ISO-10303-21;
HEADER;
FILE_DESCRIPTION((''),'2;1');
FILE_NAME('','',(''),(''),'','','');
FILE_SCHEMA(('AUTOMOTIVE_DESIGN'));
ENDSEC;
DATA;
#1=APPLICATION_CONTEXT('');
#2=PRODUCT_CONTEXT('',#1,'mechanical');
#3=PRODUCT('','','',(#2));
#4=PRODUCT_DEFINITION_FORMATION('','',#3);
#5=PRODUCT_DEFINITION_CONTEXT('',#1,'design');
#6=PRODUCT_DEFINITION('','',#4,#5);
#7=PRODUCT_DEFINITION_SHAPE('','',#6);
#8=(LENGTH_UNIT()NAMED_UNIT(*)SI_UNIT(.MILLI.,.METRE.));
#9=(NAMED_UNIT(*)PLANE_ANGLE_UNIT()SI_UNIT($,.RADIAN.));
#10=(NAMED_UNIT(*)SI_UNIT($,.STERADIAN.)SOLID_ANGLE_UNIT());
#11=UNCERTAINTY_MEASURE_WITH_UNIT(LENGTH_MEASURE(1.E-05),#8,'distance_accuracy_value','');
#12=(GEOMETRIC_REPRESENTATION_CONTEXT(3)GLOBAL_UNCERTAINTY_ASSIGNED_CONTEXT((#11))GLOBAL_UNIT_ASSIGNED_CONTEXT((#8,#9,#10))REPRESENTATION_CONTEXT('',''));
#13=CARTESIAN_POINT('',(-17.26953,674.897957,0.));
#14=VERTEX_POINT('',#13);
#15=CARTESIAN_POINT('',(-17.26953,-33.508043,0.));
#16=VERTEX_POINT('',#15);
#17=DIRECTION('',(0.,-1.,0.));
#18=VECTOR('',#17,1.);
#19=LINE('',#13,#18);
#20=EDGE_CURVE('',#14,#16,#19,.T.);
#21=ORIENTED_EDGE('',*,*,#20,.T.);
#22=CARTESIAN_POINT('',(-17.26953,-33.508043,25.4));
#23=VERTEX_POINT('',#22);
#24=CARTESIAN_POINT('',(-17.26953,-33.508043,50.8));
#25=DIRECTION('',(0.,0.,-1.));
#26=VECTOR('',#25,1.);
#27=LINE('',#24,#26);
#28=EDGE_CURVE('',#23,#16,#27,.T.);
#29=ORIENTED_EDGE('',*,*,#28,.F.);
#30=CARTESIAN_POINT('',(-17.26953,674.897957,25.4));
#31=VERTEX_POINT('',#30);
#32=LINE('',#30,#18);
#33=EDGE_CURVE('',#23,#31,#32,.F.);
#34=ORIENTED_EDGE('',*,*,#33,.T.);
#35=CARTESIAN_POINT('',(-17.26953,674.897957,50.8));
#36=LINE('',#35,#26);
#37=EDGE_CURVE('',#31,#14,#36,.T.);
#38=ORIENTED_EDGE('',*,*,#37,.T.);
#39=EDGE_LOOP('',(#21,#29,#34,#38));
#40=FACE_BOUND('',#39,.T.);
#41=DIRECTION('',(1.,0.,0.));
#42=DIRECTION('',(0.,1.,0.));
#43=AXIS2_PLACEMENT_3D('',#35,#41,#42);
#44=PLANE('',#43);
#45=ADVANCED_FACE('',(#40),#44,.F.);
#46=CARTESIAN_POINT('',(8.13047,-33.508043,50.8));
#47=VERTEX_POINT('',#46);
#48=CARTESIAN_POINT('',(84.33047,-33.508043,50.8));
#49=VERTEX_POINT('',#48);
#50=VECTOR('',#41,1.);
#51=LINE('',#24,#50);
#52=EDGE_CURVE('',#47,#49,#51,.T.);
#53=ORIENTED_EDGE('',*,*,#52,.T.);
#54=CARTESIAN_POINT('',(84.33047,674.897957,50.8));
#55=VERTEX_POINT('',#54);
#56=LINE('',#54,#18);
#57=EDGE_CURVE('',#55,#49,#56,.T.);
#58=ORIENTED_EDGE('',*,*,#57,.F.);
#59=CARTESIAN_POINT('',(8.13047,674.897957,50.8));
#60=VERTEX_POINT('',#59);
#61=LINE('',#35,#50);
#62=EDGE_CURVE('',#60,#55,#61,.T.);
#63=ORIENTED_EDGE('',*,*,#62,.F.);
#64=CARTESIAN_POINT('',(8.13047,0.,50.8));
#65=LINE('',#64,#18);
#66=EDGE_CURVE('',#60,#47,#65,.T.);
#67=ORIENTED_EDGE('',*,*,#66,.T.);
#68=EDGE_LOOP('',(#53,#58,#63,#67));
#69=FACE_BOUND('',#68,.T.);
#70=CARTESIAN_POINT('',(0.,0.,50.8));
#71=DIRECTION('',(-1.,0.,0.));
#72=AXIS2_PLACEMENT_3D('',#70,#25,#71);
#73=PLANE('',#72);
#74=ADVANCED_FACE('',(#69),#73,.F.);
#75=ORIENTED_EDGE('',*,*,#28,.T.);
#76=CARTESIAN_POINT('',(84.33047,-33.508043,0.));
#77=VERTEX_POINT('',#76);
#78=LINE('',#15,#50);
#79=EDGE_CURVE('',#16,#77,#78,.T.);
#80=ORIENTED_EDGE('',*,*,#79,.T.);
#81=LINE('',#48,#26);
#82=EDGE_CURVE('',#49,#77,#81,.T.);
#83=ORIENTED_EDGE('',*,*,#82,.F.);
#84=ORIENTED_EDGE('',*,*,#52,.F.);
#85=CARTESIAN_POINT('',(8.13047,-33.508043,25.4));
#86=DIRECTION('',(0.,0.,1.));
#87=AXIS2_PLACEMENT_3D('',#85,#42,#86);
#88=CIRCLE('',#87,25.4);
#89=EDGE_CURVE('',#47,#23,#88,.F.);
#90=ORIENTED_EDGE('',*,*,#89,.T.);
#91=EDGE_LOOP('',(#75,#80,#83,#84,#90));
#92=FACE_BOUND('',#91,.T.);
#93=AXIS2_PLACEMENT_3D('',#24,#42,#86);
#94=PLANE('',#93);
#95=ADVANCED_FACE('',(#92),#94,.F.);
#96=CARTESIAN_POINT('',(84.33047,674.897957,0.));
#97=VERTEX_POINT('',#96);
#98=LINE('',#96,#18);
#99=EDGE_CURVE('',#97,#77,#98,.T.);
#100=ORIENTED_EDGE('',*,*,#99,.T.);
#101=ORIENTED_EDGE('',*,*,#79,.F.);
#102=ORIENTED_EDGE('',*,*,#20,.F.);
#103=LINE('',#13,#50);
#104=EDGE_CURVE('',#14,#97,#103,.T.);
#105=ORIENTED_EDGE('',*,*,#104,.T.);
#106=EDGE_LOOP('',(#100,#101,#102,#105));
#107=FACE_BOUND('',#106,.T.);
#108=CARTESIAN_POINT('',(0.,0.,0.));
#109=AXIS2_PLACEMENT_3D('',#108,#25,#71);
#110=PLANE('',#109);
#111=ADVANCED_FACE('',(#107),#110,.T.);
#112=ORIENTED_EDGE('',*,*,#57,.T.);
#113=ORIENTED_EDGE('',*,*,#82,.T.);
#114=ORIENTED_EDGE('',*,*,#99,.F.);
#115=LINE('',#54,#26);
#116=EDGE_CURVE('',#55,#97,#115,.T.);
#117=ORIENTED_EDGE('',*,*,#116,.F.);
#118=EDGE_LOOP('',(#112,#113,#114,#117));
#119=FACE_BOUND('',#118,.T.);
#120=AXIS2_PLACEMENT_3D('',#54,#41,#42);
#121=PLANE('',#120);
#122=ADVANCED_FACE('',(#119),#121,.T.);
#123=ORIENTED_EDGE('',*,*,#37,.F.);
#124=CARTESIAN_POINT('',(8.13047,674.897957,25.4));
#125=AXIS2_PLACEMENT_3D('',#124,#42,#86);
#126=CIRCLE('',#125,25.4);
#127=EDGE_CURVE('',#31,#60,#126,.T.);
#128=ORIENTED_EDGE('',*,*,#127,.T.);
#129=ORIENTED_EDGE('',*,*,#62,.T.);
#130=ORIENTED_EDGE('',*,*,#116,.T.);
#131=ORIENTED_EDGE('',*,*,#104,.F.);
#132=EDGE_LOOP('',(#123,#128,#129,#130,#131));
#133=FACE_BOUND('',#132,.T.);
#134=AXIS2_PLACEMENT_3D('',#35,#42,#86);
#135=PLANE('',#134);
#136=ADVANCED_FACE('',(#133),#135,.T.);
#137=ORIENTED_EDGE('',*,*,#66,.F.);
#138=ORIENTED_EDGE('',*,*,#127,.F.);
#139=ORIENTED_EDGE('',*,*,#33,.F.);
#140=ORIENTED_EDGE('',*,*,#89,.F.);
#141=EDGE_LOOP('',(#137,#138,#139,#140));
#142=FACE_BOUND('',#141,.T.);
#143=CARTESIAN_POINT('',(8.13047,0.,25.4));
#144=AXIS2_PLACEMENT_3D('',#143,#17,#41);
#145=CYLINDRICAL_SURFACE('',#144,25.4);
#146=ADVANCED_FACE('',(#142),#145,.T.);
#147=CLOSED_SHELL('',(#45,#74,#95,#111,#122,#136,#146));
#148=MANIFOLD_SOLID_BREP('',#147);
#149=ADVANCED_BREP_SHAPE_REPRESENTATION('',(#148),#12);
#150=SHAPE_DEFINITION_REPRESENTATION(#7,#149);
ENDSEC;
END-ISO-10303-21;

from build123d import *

# Parameters (mm, degrees)
SKETCH1_W           = 101.6
SKETCH1_H           = 708.406
BOSS_EXTRUDE1_DEPTH = 50.8
FILLET1_R           = 25.4


with BuildPart() as part:
    # Sketch1 → Boss-Extrude1 (new body)
    with BuildSketch(Plane.XY):
        with Locations((33.530470144, 320.694956996)):
            Rectangle(SKETCH1_W, SKETCH1_H)
    extrude(amount=BOSS_EXTRUDE1_DEPTH)

    # Fillet1
    fillet1_edges = [part.edges().sort_by_distance(p)[0] for p in [
        (-17.269529856, 320.694956996, 50.8),
    ]]
    fillet(fillet1_edges, radius=FILLET1_R)


solid = part.part
